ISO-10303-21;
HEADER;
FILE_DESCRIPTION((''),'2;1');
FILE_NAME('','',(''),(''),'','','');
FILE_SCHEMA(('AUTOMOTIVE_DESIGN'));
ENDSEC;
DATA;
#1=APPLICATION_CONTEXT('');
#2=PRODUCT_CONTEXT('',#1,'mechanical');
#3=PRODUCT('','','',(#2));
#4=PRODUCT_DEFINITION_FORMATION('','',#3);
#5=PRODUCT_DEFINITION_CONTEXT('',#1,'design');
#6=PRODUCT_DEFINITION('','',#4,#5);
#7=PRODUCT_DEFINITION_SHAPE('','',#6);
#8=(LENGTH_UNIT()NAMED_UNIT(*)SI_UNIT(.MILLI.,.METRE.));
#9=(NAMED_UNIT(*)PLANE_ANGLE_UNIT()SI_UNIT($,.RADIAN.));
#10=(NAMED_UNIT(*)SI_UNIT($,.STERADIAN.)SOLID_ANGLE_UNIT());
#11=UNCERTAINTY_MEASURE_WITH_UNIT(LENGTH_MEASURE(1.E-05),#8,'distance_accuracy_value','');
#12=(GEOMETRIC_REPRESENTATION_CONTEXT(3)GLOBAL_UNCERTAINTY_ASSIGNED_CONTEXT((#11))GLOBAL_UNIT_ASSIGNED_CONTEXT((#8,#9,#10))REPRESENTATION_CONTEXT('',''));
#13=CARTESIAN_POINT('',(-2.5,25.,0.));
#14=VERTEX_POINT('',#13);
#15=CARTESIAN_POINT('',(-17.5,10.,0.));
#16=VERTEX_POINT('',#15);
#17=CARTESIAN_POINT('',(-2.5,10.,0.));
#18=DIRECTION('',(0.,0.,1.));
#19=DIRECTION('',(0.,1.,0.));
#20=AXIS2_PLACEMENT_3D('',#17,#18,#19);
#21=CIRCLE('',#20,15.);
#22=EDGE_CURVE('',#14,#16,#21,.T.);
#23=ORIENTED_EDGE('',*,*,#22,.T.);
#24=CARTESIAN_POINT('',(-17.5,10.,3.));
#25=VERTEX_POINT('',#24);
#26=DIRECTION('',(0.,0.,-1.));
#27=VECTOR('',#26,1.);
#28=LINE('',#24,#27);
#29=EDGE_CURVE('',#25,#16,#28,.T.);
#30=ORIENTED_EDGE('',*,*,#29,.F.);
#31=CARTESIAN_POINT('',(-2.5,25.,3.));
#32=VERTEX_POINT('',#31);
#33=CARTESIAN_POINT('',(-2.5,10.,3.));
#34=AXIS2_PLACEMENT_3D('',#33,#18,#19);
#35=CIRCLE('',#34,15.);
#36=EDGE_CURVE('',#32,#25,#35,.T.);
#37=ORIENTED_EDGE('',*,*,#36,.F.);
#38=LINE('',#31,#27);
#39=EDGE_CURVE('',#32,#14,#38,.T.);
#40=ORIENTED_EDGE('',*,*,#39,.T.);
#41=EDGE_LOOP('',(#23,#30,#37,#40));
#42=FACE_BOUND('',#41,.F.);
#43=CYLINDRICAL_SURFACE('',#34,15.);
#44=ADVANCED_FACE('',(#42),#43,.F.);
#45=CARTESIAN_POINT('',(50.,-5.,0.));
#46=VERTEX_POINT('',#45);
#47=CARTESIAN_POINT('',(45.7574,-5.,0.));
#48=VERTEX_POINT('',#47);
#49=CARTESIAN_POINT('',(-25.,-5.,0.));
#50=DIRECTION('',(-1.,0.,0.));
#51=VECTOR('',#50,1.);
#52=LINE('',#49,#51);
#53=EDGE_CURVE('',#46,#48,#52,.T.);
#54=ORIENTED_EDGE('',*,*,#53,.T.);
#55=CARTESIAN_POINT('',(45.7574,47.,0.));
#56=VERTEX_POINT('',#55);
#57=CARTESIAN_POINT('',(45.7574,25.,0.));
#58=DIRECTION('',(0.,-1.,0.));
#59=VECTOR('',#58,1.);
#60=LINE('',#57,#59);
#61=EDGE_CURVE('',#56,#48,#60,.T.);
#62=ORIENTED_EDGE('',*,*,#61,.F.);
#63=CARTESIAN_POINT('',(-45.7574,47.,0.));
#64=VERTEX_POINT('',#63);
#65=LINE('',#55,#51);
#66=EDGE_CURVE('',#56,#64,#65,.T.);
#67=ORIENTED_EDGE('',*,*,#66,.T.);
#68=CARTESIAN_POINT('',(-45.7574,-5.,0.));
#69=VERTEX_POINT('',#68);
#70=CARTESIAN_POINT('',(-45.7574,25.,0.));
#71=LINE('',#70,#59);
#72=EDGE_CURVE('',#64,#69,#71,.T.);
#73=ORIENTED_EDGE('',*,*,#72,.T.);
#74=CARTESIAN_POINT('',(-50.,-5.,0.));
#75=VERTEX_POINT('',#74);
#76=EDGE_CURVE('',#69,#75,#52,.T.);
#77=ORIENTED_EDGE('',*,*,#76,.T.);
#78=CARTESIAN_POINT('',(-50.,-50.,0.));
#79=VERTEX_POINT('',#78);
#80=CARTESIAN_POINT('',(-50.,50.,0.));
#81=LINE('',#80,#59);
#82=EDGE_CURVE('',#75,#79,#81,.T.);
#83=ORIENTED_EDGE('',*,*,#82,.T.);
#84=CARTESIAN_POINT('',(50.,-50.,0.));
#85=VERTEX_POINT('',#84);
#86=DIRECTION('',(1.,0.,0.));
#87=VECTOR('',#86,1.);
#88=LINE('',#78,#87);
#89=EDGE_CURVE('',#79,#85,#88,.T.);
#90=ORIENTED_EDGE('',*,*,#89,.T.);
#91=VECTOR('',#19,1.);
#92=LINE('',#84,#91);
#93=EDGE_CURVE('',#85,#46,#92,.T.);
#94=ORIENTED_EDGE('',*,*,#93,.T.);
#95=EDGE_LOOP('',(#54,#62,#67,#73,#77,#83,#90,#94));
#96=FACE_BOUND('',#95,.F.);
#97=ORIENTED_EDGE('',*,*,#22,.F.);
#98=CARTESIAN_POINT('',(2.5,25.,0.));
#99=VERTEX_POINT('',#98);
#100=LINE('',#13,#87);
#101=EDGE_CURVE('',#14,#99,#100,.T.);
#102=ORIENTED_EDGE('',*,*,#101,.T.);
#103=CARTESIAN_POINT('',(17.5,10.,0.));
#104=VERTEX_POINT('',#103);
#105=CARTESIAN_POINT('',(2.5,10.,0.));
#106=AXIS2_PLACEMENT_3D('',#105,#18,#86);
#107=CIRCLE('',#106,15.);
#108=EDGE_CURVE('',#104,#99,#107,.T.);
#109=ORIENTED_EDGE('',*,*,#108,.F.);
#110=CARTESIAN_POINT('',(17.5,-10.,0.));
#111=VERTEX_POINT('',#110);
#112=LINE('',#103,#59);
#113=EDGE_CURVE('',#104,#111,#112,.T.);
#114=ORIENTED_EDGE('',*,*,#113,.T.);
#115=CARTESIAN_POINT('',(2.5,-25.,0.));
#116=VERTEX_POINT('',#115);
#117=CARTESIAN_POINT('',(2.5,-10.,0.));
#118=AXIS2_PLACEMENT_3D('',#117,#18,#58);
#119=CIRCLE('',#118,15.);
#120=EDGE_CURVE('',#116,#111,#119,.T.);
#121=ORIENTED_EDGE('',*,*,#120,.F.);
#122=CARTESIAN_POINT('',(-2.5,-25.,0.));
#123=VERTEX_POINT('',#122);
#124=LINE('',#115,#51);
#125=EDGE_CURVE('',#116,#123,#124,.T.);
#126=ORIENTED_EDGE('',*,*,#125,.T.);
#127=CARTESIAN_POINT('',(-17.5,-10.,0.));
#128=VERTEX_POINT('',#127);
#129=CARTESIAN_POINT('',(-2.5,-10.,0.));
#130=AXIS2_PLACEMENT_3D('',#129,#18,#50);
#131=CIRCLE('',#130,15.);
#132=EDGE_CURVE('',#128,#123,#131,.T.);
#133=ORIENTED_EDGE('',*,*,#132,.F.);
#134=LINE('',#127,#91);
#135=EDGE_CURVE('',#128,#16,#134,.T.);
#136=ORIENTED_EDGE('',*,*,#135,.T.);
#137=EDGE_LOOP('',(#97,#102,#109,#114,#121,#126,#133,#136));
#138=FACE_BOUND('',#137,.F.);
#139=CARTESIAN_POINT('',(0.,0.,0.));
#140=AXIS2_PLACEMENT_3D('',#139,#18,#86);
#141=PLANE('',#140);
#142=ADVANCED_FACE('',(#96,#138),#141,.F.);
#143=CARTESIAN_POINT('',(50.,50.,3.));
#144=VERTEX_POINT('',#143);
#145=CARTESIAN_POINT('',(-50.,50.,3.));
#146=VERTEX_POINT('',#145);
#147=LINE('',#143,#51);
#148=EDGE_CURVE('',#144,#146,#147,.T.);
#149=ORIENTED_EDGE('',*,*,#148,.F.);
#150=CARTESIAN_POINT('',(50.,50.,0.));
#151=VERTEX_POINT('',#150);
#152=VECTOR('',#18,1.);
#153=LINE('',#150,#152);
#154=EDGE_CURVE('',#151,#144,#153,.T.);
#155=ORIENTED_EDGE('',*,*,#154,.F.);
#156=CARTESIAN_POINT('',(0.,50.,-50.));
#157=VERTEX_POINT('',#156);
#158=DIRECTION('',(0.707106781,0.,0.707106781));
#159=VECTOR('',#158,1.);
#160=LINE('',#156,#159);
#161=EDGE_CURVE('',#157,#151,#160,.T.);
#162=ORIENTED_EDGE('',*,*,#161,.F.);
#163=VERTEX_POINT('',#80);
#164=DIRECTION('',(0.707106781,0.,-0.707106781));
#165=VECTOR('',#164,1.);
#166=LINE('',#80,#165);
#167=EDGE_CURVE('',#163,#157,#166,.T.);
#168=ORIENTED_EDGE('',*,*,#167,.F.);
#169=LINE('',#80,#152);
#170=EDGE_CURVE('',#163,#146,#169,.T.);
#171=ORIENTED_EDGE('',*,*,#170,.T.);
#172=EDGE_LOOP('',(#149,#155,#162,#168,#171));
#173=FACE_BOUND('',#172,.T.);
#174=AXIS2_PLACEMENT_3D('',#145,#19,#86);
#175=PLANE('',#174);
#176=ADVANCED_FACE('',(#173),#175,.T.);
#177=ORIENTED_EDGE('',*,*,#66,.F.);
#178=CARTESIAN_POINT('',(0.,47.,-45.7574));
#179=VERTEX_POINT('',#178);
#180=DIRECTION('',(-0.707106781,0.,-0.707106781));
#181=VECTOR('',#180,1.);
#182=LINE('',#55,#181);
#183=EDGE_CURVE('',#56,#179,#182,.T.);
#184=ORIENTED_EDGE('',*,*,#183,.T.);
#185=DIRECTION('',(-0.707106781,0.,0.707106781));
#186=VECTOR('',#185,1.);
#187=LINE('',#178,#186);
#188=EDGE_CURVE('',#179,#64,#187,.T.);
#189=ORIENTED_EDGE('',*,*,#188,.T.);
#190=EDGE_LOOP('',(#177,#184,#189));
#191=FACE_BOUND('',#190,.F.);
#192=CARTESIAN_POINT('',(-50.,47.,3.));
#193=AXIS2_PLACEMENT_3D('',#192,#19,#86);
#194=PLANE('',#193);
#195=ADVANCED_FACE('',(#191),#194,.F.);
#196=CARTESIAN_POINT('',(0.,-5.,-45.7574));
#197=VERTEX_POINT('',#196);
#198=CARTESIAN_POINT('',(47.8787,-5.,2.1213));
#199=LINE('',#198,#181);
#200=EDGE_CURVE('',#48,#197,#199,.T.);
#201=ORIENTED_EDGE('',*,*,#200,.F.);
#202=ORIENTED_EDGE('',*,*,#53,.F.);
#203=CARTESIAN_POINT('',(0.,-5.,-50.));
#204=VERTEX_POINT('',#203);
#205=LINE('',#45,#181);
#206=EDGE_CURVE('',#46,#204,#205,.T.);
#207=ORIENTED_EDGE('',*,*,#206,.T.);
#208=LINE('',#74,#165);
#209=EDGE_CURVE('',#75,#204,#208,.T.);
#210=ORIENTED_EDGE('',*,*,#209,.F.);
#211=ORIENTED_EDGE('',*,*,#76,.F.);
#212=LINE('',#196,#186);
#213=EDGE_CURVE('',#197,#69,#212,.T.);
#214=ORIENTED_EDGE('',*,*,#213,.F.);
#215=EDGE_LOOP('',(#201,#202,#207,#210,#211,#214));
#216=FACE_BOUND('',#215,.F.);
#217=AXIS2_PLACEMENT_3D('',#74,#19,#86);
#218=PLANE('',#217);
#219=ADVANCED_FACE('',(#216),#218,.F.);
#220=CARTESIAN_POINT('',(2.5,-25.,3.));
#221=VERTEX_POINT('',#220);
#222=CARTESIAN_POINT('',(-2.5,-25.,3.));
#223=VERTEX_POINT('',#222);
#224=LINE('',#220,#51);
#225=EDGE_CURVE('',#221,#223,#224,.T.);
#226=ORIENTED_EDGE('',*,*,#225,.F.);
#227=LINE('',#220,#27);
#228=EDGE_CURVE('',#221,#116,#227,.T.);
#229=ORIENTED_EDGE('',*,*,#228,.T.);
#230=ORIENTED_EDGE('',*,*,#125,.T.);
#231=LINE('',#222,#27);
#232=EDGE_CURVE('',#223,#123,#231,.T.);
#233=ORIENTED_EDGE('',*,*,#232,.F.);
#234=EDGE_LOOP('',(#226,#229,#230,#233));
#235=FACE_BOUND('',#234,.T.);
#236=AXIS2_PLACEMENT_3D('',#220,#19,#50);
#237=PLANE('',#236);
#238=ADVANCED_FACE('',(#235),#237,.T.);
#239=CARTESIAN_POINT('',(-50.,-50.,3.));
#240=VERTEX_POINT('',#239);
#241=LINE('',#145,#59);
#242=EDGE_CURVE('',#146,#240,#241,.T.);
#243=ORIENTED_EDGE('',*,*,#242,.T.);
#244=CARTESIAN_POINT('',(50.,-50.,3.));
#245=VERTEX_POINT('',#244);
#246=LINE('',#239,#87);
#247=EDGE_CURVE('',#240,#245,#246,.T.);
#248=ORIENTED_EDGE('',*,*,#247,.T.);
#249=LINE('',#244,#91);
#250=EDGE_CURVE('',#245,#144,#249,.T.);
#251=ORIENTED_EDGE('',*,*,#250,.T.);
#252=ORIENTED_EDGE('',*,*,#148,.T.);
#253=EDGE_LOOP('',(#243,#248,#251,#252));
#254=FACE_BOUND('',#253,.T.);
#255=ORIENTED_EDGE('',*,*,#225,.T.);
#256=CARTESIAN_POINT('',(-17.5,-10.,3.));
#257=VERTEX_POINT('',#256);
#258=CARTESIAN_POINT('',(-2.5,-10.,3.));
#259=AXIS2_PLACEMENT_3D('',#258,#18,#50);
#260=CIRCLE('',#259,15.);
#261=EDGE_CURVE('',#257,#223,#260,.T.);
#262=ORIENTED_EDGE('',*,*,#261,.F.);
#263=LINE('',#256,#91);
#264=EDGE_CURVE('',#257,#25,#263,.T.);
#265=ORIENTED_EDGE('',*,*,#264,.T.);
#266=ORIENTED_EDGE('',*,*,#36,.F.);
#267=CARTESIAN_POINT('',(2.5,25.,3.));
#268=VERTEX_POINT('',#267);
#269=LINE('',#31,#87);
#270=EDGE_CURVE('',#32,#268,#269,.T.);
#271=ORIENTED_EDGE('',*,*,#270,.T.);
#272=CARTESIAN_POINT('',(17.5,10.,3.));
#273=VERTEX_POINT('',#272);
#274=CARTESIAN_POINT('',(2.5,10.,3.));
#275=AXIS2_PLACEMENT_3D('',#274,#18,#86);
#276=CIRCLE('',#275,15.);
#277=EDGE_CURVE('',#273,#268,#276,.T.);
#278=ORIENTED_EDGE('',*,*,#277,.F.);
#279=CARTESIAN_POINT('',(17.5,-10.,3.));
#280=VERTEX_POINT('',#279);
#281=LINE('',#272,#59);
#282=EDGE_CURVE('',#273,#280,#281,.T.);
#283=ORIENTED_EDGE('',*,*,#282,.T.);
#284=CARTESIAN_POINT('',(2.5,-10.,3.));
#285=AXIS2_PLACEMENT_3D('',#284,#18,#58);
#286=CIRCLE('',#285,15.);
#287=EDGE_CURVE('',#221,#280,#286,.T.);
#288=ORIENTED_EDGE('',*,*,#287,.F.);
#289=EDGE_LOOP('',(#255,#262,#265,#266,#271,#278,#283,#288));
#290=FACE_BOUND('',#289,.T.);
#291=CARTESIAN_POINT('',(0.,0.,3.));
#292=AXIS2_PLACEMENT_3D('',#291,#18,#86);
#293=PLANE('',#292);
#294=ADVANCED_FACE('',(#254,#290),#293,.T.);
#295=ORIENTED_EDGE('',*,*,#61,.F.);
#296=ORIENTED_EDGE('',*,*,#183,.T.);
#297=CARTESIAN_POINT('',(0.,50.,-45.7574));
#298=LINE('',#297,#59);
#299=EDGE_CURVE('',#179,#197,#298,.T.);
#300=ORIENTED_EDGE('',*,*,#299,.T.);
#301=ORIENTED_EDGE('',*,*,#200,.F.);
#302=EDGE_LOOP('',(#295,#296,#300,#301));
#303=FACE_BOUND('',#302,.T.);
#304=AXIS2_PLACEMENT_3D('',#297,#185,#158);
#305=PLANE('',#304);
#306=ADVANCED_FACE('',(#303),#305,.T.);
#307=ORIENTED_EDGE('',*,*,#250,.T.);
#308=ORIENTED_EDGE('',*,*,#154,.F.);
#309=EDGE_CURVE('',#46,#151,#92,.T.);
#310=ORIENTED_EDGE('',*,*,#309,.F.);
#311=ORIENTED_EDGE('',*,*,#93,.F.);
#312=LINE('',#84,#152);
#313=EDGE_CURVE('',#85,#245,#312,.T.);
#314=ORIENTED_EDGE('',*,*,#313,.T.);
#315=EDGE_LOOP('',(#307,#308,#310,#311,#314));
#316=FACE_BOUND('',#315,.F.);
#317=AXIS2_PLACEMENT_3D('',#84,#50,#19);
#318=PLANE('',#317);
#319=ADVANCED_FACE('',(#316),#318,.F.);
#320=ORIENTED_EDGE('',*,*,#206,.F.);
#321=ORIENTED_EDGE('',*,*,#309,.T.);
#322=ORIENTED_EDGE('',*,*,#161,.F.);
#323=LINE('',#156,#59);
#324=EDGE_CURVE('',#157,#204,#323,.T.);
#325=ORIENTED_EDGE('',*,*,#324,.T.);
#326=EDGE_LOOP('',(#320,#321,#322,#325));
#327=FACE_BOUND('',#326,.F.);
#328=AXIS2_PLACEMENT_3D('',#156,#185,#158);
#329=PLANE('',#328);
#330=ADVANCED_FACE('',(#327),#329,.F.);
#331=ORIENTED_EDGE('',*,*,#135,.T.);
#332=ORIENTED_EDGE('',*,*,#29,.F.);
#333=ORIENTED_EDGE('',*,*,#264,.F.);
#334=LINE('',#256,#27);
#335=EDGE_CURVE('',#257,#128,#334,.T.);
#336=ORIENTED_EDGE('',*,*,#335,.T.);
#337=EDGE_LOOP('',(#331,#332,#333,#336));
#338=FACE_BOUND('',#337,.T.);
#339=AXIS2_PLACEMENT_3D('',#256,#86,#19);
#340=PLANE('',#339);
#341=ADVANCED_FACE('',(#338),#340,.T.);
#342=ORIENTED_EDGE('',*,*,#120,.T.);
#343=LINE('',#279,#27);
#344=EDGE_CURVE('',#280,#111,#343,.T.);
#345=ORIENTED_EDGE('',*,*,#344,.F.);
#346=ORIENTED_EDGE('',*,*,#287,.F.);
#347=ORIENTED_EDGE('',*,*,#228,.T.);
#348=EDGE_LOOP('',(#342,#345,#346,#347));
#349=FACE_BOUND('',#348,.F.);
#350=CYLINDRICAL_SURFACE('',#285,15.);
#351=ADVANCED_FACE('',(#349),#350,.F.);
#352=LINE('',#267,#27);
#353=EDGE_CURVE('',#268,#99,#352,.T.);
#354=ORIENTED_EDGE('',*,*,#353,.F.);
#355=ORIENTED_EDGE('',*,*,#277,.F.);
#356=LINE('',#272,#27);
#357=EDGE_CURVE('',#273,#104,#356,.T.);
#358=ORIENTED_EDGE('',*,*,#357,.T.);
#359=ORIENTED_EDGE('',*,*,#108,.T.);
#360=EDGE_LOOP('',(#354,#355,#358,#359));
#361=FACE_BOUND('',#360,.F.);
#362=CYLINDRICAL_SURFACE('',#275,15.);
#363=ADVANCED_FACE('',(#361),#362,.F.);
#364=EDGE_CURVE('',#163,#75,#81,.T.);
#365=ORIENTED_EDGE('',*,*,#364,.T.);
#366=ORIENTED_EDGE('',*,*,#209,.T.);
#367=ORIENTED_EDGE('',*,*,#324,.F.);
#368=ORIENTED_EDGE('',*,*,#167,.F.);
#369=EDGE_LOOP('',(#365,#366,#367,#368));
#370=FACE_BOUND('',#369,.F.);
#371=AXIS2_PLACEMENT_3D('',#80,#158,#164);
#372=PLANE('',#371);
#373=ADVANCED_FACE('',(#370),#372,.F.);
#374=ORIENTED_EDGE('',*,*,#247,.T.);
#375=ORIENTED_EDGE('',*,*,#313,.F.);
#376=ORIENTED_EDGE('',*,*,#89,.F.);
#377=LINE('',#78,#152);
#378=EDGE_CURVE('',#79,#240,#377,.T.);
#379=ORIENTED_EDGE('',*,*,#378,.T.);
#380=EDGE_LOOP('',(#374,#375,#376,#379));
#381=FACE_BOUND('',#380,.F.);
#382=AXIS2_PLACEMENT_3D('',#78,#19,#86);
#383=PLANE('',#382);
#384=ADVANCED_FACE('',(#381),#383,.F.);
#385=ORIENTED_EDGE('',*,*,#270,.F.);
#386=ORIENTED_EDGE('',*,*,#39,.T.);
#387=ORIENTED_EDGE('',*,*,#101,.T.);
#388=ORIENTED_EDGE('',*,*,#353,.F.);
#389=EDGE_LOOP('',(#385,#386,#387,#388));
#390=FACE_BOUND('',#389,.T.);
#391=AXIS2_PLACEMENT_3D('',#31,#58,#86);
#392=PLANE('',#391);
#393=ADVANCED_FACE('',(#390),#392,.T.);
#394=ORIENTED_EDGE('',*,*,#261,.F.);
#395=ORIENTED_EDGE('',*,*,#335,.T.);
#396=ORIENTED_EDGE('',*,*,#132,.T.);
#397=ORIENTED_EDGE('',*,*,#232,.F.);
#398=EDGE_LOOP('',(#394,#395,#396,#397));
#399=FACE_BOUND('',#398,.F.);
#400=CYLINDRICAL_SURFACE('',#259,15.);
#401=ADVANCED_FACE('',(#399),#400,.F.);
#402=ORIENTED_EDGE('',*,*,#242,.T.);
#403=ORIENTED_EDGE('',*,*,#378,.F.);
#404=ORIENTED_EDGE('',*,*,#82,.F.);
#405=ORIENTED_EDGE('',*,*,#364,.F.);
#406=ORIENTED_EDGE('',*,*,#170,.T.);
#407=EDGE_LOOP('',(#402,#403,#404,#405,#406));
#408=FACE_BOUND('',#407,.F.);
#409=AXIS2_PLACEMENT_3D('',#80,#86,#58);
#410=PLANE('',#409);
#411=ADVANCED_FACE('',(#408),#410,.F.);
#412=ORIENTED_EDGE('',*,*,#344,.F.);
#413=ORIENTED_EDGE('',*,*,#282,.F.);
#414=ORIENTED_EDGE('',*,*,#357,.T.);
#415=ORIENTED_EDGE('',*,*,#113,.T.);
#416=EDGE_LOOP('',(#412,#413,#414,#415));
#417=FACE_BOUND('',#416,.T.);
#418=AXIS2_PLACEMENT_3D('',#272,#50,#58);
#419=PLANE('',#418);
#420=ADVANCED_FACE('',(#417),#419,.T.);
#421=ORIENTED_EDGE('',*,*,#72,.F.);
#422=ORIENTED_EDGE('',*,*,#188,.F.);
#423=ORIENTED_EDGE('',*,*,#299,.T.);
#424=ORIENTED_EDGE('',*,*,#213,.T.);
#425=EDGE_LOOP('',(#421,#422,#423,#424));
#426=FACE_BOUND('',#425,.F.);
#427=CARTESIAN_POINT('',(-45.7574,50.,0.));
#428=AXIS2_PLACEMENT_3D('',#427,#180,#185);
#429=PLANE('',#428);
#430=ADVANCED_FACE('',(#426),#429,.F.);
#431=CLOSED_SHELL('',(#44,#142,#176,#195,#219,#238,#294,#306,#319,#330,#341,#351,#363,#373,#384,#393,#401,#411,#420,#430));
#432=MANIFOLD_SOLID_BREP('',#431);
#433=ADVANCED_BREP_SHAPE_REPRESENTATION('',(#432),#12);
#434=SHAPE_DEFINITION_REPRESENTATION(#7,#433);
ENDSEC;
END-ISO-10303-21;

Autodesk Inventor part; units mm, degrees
ref_plane "YZ Plane" through (0, 0, 0) normal (1, 0, 0) x (0, 1, 0)
ref_plane "XZ Plane" through (0, 0, 0) normal (0, 1, 0) x (-1, 0, 0)
ref_plane "XY Plane" through (0, 0, 0) normal (0, 0, 1) x (1, 0, 0)
sketch "Sketch1" plane through (0, 0, 0) normal (0, 0, 1) x (1, 0, 0)
  line L0 (-50, -50) -> (50, -50)
  line L1 (50, -50) -> (50, 50)
  line L2 (50, 50) -> (-50, 50)
  line L3 (-50, 50) -> (-50, -50)
  line L4 (-50, -50) -> (50, 50) construction
  line L5 (50, -50) -> (-50, 50) construction
  point P0 (0, 0)
  dimension "d0" = 100
  dimension "d1" = 100
extrude "Extrusion1" add sketch "Sketch1" along normal blind 3
sketch "Sketch2" plane through (-50, 50, 0) normal (0, 1, 0) x (1, 0, 0)
  line L0 (0, 0) -> (100, 0) projected
  line L1 (0, 0) -> (50, 50)
  line L2 (50, 50) -> (52.1213, 47.8787)
  line L3 (52.1213, 47.8787) -> (2.1213, -2.1213)
  line L4 (2.1213, -2.1213) -> (0, 0)
  line L5 (0, 0) -> (70.7107, 0) construction
  line L6 (100, 0) -> (52.1213, 47.8787)
  line L7 (52.1213, 47.8787) -> (50, 45.7574)
  line L8 (50, 45.7574) -> (97.8787, -2.1213)
  line L9 (97.8787, -2.1213) -> (100, 0)
  point P0 (50, 0)
  dimension "d4" = 45
  dimension "d5" = 3
  dimension "d6" = 3
extrude "Extrusion2" add sketch "Sketch2" against normal blind 55 contours L1 L2 L3 L0 | L0 L3 L4 | L8 L3 L6 L0 | L0 L9 L8
sketch "Sketch3" plane through (0, 0, 3) normal (0, 0, 1) x (1, 0, 0)
  line L0 (2.5, -25) -> (-2.5, -25)
  line L1 (-17.5, -10) -> (-17.5, 10)
  line L2 (-2.5, 25) -> (2.5, 25)
  line L3 (17.5, 10) -> (17.5, -10)
  line L4 (17.5, -25) -> (-17.5, 25) construction
  line L5 (-17.5, -25) -> (17.5, 25) construction
  arc A0 (-2.5, 25) -> (-17.5, 10) centre (-2.5, 10) ccw
  arc A1 (17.5, 10) -> (2.5, 25) centre (2.5, 10) ccw
  arc A2 (2.5, -25) -> (17.5, -10) centre (2.5, -10) ccw
  arc A3 (-17.5, -10) -> (-2.5, -25) centre (-2.5, -10) ccw
  point P0 (0, 0)
  dimension "d9" = 35
  dimension "d10" = 50
  dimension "d11" = 15
extrude "Extrusion3" cut sketch "Sketch3" against normal blind 3
sketch "Sketch4" plane through (-50, 50, 3) normal (0, 1, 0) x (1, 0, 0)
  line L0 (95.7574, 3) -> (50, 48.7574) projected
  line L1 (95.7574, 3) -> (4.2426, 3) projected
  line L2 (50, 48.7574) -> (4.2426, 3)
  line L3 (95.7574, 3) -> (100, 3) projected
  line L4 (4.2426, 3) -> (95.7574, 3)
  line L5 (95.7574, 3) -> (50, 48.7574)
  line L6 (0, 3) -> (50, 53) projected
  point P0 (50, 3)
extrude "Extrusion4" add sketch "Sketch4" against normal blind 3
properties part number "fixation"
